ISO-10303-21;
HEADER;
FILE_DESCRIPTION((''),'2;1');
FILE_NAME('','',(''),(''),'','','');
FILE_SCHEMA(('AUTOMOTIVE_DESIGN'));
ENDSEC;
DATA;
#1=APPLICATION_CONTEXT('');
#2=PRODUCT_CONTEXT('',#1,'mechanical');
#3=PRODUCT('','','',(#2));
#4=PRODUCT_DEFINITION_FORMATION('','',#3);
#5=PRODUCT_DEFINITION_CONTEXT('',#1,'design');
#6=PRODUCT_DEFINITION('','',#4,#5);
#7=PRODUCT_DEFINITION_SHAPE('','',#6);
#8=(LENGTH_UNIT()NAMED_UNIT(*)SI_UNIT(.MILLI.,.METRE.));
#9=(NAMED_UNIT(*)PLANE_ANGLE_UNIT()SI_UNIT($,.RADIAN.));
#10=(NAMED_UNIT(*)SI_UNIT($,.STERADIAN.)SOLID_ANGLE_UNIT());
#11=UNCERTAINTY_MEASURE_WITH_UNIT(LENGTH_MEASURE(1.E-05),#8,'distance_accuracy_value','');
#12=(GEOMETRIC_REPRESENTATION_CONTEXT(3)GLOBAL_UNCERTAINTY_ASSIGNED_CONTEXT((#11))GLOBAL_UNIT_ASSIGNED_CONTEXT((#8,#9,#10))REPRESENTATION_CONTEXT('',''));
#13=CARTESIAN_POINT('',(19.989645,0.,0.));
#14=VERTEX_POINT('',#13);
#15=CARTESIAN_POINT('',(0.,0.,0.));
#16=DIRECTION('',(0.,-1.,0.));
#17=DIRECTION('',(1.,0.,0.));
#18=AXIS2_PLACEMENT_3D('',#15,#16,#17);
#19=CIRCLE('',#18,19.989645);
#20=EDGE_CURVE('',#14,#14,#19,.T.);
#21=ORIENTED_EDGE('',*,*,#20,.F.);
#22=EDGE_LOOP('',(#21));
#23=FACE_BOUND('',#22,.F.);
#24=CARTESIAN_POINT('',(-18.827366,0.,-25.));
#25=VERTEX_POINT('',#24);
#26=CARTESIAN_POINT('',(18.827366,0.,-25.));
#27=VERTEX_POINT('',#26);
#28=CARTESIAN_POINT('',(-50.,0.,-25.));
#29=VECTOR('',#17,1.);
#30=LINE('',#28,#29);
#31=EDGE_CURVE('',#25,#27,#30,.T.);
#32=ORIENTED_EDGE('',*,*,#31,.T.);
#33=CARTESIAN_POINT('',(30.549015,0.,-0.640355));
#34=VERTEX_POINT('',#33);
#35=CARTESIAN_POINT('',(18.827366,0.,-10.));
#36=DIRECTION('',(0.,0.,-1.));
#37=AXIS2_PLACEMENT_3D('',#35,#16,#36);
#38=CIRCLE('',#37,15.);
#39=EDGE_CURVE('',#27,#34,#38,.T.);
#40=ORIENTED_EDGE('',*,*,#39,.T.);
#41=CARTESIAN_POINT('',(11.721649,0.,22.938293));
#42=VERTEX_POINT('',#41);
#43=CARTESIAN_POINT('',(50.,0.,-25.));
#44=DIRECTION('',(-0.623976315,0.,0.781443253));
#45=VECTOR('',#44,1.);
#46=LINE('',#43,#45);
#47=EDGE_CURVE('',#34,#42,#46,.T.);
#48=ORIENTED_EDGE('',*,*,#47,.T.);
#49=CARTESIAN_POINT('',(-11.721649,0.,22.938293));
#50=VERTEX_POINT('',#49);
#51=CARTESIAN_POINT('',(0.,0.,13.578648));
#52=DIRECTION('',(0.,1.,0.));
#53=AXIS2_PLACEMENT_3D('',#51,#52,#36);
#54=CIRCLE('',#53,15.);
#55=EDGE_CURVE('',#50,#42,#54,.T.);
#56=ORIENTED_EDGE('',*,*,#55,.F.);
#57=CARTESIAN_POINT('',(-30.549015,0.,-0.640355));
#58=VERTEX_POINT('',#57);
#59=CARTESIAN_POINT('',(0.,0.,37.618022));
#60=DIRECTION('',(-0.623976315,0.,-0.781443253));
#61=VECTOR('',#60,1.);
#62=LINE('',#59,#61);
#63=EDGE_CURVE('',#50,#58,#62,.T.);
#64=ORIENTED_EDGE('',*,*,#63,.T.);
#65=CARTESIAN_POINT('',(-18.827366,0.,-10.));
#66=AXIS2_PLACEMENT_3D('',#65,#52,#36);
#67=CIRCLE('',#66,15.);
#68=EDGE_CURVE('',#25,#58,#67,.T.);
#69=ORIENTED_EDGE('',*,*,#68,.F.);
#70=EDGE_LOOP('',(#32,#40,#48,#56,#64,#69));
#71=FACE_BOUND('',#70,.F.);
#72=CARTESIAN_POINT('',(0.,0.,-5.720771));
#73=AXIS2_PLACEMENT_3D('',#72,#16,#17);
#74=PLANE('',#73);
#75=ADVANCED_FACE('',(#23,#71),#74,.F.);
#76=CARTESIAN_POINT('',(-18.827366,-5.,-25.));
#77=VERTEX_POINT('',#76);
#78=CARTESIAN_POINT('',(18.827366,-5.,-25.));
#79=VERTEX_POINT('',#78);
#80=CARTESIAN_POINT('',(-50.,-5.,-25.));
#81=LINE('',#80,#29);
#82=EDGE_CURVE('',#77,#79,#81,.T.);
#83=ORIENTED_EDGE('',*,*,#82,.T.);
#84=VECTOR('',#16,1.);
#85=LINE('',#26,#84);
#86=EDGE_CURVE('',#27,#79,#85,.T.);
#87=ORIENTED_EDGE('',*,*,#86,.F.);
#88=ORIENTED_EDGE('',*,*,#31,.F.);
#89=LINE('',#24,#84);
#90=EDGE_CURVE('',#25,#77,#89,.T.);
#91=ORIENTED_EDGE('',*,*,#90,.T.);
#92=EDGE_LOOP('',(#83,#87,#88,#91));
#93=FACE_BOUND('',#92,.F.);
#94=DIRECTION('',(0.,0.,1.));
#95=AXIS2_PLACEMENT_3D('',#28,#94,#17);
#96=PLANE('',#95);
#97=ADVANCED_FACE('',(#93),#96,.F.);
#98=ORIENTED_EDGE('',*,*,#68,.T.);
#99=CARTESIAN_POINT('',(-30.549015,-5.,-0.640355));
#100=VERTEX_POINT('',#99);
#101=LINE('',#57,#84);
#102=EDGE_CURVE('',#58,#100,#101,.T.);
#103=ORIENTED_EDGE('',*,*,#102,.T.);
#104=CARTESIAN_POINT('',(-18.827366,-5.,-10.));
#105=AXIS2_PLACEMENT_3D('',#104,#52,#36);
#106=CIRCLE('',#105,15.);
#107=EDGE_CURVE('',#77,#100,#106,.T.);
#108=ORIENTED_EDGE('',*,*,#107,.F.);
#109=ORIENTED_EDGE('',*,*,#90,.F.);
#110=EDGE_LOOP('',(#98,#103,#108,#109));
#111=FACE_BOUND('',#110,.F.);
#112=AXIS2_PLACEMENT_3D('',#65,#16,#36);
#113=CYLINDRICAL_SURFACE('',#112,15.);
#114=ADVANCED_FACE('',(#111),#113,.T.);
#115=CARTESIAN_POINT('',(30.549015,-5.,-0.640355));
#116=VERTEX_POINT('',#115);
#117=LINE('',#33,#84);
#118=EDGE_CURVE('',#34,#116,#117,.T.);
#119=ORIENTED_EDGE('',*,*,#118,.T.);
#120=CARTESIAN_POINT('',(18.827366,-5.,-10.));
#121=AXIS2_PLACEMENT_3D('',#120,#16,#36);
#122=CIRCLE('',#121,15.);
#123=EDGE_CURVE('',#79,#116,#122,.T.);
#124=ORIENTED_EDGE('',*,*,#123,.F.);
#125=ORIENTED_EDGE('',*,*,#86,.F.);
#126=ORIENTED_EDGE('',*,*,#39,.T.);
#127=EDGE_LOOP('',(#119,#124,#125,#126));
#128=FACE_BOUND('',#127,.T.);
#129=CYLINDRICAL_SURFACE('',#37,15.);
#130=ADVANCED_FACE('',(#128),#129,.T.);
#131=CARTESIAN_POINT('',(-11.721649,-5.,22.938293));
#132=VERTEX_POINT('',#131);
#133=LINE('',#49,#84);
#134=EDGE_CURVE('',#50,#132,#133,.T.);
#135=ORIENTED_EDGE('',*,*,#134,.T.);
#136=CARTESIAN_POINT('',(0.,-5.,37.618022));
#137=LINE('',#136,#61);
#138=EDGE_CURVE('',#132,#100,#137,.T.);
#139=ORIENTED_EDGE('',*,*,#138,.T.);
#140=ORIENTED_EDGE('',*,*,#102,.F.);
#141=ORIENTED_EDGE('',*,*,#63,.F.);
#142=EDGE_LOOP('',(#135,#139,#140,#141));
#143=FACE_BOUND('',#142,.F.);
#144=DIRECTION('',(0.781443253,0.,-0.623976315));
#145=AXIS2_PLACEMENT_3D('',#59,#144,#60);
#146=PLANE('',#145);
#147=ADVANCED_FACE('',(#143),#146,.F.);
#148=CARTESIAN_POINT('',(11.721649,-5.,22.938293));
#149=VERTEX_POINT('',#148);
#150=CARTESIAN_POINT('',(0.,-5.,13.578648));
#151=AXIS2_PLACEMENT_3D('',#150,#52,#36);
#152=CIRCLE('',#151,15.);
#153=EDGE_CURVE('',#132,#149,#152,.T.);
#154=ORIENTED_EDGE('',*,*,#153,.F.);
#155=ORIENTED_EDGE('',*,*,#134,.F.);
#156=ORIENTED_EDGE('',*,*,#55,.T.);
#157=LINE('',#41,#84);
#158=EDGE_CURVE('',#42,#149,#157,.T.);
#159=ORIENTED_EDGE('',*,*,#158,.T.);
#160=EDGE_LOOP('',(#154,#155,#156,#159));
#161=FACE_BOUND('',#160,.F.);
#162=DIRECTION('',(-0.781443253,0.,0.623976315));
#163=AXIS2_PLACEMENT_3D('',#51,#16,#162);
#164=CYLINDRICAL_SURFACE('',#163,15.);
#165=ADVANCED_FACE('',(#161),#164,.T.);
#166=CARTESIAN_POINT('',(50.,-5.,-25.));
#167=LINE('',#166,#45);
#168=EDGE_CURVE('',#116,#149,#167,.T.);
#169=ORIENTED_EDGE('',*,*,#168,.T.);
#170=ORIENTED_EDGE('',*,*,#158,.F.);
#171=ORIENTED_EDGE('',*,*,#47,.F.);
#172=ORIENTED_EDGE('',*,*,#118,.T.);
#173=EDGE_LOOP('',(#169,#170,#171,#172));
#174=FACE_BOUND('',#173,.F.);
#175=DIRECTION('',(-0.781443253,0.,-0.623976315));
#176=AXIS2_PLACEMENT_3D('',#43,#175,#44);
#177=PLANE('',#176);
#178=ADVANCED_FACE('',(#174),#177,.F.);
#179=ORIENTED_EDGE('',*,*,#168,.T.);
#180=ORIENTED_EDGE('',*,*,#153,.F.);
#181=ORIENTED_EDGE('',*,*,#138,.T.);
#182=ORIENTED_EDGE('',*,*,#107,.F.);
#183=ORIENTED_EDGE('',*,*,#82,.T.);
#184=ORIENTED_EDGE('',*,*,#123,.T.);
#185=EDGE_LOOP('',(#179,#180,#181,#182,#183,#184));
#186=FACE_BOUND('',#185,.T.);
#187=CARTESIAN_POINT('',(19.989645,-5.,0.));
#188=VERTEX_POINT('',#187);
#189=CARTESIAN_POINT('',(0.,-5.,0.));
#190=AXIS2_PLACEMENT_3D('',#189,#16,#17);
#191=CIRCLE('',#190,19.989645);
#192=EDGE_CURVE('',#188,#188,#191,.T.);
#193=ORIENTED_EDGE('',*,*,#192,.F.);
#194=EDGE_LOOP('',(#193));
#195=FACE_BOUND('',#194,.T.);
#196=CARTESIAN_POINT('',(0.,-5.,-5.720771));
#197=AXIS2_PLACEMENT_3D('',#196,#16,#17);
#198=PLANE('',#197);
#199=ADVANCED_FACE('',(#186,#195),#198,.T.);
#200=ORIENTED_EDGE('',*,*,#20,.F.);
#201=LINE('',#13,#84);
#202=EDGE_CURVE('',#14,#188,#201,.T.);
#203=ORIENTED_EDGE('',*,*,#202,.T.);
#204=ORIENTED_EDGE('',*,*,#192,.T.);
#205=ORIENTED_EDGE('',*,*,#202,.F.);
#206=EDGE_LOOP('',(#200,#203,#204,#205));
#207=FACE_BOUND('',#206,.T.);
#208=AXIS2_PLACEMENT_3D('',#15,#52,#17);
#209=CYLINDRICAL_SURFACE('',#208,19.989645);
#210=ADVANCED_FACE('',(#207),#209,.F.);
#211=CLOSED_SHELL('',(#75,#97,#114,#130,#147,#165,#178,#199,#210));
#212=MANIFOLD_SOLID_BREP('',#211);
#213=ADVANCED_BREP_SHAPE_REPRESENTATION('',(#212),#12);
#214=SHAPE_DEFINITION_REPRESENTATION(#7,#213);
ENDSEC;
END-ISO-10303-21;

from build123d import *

# Parameters (mm, degrees)
F0_R     = 19.989645
F1_DEPTH = 5
F2_R     = 15


with BuildPart() as f1:
    # F0 (on Front) → F1 (new body)
    with BuildSketch(Plane.XZ):
        Polygon((-50, -25), (0, -25), (50, -25), (0, 37.618022), align=None)
        Circle(F0_R, mode=Mode.SUBTRACT)
    extrude(amount=F1_DEPTH)

    # F2
    f2_edges = [f1.edges().sort_by_distance(p)[0] for p in [
        (0, -2.5, 37.618022),
        (-50, -2.5, -25),
        (50, -2.5, -25),
    ]]
    fillet(f2_edges, radius=F2_R)


solid = f1.part
